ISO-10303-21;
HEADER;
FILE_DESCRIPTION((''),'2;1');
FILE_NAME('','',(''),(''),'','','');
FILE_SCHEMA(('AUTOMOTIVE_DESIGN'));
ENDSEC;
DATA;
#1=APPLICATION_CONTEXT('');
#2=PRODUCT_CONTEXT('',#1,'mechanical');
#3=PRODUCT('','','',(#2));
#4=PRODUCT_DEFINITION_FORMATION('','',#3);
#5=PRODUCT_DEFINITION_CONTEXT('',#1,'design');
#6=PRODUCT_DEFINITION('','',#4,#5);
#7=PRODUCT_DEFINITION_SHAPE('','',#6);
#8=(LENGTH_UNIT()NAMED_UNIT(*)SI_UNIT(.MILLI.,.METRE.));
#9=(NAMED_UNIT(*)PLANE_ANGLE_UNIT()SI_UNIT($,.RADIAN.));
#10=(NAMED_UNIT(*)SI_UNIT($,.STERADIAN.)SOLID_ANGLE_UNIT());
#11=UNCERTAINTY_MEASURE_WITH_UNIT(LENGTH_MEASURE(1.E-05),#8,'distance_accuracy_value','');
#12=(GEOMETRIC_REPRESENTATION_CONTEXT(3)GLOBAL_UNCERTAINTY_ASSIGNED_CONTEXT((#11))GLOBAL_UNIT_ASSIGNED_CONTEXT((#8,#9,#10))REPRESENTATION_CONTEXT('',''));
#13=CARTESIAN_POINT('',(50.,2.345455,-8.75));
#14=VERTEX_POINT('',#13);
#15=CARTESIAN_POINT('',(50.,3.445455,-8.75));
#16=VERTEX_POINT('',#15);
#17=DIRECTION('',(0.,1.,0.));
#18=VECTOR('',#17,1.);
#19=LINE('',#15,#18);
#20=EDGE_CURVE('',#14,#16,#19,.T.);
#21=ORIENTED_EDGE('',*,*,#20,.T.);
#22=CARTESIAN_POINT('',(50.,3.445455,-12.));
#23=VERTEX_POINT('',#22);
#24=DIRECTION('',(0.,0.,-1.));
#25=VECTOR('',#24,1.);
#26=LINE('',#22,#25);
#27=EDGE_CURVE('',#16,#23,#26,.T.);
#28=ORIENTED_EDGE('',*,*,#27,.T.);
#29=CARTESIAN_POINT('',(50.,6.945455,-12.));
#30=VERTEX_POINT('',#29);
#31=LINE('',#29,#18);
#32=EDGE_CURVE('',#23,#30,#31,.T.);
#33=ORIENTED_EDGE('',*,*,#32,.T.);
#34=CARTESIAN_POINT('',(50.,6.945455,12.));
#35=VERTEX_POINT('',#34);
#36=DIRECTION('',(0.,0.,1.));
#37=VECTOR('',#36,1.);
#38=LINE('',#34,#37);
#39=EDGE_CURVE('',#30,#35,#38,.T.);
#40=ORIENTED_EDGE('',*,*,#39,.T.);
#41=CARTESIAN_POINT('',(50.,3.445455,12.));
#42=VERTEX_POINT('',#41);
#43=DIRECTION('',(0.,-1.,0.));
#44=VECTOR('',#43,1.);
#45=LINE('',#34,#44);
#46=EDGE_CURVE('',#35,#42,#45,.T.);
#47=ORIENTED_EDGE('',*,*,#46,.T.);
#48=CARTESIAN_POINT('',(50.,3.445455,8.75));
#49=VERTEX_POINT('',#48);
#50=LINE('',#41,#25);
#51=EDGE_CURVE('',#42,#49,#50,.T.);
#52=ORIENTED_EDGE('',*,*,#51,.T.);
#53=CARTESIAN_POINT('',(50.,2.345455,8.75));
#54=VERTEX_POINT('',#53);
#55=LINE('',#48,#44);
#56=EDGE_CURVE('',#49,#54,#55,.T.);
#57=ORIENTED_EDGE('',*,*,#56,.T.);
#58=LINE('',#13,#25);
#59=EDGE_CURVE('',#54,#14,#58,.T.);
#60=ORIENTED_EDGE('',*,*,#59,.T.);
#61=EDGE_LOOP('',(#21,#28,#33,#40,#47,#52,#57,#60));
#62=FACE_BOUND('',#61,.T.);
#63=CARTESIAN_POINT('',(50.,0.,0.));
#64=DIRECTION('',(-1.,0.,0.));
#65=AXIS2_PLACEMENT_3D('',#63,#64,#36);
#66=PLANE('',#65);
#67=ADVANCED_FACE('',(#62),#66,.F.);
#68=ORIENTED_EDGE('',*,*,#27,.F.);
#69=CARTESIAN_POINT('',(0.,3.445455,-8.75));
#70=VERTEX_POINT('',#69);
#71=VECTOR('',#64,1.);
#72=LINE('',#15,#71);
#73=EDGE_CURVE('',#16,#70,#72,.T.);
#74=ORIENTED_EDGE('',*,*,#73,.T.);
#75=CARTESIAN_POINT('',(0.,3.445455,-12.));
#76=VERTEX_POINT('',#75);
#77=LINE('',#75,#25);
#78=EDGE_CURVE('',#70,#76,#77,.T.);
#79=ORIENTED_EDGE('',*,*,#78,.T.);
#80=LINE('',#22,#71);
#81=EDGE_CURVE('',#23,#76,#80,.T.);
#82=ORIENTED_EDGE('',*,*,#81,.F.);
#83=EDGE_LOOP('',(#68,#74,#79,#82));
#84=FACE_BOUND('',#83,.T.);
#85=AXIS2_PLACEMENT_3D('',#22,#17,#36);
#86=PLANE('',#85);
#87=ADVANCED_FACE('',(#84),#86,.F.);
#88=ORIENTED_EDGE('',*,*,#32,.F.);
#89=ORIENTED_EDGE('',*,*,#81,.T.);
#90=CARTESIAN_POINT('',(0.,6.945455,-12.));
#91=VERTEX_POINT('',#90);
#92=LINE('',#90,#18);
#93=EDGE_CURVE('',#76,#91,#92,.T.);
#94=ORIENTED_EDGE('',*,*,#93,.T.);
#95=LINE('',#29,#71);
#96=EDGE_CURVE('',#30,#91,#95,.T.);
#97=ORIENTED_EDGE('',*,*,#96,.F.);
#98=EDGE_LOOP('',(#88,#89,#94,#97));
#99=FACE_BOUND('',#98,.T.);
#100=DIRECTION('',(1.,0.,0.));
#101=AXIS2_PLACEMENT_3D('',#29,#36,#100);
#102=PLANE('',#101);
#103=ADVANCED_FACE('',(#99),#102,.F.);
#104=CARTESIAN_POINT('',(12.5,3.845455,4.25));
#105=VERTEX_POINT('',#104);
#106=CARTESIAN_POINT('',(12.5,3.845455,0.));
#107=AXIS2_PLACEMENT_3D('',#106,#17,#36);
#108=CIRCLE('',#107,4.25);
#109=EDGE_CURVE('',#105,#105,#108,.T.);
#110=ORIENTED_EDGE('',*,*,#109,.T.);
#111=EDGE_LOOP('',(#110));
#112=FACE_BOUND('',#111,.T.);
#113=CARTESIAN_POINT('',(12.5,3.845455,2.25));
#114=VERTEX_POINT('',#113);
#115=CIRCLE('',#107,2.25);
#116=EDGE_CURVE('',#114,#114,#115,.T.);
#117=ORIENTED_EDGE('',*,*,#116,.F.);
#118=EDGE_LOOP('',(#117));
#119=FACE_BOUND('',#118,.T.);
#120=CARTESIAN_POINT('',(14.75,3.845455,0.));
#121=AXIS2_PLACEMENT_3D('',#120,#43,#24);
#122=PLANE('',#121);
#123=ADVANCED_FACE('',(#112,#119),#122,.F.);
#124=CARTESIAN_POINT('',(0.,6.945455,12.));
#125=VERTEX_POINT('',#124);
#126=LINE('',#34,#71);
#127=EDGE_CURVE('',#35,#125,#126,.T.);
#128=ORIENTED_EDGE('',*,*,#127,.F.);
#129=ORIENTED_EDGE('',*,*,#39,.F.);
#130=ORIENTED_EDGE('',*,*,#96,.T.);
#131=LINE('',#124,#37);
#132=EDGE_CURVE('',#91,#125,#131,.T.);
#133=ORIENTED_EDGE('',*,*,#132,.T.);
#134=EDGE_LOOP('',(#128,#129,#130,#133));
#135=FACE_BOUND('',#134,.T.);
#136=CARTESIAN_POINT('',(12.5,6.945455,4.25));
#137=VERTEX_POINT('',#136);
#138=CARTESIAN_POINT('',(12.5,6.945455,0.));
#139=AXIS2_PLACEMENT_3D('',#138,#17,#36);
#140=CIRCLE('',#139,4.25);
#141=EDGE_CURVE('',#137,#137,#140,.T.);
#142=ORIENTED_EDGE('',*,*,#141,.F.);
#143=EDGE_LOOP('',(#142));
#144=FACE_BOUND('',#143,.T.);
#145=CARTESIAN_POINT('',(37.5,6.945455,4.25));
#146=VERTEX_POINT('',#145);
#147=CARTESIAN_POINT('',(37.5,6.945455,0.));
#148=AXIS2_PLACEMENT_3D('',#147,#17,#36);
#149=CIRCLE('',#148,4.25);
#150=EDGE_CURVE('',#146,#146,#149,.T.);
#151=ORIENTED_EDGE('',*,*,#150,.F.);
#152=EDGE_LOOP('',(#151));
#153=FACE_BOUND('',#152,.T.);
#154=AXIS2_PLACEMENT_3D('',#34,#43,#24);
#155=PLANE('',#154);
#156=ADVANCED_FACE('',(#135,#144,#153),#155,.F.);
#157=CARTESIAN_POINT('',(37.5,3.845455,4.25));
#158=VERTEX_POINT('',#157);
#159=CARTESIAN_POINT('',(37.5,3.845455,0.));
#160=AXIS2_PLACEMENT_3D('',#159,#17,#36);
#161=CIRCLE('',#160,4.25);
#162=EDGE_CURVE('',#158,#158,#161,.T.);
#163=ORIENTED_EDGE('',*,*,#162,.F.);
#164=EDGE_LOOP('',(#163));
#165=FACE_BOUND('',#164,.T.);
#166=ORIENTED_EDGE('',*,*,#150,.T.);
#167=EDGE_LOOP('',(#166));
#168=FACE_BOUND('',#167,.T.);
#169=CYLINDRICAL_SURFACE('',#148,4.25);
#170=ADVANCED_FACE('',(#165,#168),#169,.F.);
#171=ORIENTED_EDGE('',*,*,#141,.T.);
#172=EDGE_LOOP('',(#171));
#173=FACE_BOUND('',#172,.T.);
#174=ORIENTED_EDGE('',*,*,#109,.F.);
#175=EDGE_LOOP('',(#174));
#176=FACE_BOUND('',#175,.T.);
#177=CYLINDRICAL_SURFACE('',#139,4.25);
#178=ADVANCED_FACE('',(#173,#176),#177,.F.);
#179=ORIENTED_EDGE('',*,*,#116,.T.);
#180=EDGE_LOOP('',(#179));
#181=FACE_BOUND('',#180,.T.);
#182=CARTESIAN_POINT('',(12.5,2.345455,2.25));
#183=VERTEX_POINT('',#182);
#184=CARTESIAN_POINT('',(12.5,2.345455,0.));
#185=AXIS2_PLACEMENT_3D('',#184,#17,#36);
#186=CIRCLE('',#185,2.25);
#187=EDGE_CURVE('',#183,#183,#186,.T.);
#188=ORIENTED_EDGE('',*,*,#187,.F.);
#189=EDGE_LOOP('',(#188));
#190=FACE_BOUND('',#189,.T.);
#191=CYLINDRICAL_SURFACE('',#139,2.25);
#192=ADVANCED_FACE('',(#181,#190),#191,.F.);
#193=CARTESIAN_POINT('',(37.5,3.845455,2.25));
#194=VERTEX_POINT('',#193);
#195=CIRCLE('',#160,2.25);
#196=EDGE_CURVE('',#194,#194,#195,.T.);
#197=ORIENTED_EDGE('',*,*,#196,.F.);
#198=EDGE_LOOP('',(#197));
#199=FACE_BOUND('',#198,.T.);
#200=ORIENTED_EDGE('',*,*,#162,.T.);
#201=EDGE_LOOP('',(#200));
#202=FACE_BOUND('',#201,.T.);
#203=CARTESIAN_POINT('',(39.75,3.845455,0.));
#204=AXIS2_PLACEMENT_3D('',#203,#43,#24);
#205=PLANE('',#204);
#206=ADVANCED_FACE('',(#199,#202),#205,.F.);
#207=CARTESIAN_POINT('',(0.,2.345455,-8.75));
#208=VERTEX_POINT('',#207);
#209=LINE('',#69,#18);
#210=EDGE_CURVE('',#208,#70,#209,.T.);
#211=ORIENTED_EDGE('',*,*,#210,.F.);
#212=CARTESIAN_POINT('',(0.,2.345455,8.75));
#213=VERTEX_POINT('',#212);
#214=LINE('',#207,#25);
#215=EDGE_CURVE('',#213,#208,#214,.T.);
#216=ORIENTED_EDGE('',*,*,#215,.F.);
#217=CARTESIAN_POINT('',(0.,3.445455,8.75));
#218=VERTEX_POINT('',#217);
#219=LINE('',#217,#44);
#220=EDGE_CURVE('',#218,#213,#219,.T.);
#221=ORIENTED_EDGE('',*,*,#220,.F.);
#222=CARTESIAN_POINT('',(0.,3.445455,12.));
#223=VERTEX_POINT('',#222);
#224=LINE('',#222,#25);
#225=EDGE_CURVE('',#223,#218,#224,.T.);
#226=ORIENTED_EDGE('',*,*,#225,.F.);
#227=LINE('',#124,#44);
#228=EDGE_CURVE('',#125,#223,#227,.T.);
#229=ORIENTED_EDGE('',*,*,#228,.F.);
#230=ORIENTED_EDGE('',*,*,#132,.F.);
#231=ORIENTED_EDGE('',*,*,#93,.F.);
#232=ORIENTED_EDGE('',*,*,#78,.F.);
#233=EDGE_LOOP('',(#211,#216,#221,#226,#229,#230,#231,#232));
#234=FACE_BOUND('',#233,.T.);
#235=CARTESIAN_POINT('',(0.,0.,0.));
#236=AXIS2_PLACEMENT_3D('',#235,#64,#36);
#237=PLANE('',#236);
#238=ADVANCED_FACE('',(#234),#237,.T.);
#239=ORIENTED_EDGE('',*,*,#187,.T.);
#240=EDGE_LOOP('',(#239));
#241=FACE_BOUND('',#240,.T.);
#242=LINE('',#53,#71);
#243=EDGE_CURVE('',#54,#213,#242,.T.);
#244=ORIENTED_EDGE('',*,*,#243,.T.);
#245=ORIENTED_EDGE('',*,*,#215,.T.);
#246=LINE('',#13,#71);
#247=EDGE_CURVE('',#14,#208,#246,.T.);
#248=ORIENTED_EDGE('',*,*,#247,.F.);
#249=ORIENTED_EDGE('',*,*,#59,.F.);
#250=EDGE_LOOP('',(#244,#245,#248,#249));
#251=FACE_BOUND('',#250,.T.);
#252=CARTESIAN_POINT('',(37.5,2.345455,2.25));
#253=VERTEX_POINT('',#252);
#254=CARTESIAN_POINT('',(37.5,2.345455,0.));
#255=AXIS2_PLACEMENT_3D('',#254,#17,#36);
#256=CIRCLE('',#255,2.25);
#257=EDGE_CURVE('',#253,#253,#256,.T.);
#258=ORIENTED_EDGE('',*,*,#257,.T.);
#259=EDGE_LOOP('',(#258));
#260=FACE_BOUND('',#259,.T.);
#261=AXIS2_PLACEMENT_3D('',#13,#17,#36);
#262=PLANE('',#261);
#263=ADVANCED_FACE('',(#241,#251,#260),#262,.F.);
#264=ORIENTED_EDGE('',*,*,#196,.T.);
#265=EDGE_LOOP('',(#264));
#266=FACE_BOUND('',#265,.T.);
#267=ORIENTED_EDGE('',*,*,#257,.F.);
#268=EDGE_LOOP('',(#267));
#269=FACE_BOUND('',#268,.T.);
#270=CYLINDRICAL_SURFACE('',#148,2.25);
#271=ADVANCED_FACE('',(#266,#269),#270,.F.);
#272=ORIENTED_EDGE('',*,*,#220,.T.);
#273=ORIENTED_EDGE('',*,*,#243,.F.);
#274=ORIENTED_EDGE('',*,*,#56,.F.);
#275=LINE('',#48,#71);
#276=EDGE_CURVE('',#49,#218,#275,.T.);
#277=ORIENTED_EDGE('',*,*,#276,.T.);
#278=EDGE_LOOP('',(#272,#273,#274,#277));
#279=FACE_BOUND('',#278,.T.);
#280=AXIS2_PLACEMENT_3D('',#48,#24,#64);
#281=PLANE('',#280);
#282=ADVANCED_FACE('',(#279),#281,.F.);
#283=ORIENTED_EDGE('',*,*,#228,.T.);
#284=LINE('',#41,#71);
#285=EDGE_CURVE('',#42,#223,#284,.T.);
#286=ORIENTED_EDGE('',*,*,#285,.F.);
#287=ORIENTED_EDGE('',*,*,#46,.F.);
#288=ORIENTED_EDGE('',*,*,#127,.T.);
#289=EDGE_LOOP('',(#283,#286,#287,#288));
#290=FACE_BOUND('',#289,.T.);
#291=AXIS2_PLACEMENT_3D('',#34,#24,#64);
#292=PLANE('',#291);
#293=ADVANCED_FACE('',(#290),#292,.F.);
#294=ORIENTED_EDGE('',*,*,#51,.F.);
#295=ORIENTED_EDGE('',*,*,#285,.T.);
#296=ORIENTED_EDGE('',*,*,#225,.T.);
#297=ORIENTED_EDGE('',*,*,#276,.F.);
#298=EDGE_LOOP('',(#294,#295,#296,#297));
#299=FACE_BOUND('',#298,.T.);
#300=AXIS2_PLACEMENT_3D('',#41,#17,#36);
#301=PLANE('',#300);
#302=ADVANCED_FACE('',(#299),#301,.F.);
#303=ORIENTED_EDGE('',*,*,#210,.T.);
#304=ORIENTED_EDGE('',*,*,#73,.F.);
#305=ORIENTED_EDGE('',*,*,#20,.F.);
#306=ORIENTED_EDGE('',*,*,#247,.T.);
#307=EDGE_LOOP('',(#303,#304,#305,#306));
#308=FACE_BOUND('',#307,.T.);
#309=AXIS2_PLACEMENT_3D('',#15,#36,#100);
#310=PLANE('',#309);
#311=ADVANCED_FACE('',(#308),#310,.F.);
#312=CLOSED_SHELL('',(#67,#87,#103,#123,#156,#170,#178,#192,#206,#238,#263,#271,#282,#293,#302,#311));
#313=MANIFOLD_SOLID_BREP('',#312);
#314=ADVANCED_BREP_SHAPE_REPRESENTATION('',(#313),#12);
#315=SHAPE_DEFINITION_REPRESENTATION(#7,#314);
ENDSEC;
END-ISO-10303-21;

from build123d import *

# Parameters (mm, degrees)
BOSS_EXTRU_1_DEPTH                                 = 50
CHAMBRAGE_POUR_VIS_T_TE_HEXAGONALE_M42_D           = 4.5
CHAMBRAGE_POUR_VIS_T_TE_HEXAGONALE_M42_CBORE_D     = 8.5
CHAMBRAGE_POUR_VIS_T_TE_HEXAGONALE_M42_CBORE_DEPTH = 3.1


with BuildPart() as part:
    # Esquisse2 → Boss.-Extru.1 (new body)
    with BuildSketch(Plane(origin=(0, 0, 0), x_dir=(0, 0, -1), z_dir=(1, 0, 0))):
        Polygon((-12, 6.945454545), (12, 6.945454545), (12, 3.445454545), (8.75, 3.445454545), (8.75, 2.345454545), (-8.75, 2.345454545), (-8.75, 3.445454545), (-12, 3.445454545), align=None)
    extrude(amount=BOSS_EXTRU_1_DEPTH)

    # Chambrage pour vis à tête hexagonale M42 (through all)
    with Locations(Plane(origin=(12.5, 6.945454545, 0), x_dir=(0, 0, 1), z_dir=(0, 1, 0))):
        with Locations((0, 0), (0, 25)):
            CounterBoreHole(CHAMBRAGE_POUR_VIS_T_TE_HEXAGONALE_M42_D / 2, CHAMBRAGE_POUR_VIS_T_TE_HEXAGONALE_M42_CBORE_D / 2, CHAMBRAGE_POUR_VIS_T_TE_HEXAGONALE_M42_CBORE_DEPTH)


solid = part.part
